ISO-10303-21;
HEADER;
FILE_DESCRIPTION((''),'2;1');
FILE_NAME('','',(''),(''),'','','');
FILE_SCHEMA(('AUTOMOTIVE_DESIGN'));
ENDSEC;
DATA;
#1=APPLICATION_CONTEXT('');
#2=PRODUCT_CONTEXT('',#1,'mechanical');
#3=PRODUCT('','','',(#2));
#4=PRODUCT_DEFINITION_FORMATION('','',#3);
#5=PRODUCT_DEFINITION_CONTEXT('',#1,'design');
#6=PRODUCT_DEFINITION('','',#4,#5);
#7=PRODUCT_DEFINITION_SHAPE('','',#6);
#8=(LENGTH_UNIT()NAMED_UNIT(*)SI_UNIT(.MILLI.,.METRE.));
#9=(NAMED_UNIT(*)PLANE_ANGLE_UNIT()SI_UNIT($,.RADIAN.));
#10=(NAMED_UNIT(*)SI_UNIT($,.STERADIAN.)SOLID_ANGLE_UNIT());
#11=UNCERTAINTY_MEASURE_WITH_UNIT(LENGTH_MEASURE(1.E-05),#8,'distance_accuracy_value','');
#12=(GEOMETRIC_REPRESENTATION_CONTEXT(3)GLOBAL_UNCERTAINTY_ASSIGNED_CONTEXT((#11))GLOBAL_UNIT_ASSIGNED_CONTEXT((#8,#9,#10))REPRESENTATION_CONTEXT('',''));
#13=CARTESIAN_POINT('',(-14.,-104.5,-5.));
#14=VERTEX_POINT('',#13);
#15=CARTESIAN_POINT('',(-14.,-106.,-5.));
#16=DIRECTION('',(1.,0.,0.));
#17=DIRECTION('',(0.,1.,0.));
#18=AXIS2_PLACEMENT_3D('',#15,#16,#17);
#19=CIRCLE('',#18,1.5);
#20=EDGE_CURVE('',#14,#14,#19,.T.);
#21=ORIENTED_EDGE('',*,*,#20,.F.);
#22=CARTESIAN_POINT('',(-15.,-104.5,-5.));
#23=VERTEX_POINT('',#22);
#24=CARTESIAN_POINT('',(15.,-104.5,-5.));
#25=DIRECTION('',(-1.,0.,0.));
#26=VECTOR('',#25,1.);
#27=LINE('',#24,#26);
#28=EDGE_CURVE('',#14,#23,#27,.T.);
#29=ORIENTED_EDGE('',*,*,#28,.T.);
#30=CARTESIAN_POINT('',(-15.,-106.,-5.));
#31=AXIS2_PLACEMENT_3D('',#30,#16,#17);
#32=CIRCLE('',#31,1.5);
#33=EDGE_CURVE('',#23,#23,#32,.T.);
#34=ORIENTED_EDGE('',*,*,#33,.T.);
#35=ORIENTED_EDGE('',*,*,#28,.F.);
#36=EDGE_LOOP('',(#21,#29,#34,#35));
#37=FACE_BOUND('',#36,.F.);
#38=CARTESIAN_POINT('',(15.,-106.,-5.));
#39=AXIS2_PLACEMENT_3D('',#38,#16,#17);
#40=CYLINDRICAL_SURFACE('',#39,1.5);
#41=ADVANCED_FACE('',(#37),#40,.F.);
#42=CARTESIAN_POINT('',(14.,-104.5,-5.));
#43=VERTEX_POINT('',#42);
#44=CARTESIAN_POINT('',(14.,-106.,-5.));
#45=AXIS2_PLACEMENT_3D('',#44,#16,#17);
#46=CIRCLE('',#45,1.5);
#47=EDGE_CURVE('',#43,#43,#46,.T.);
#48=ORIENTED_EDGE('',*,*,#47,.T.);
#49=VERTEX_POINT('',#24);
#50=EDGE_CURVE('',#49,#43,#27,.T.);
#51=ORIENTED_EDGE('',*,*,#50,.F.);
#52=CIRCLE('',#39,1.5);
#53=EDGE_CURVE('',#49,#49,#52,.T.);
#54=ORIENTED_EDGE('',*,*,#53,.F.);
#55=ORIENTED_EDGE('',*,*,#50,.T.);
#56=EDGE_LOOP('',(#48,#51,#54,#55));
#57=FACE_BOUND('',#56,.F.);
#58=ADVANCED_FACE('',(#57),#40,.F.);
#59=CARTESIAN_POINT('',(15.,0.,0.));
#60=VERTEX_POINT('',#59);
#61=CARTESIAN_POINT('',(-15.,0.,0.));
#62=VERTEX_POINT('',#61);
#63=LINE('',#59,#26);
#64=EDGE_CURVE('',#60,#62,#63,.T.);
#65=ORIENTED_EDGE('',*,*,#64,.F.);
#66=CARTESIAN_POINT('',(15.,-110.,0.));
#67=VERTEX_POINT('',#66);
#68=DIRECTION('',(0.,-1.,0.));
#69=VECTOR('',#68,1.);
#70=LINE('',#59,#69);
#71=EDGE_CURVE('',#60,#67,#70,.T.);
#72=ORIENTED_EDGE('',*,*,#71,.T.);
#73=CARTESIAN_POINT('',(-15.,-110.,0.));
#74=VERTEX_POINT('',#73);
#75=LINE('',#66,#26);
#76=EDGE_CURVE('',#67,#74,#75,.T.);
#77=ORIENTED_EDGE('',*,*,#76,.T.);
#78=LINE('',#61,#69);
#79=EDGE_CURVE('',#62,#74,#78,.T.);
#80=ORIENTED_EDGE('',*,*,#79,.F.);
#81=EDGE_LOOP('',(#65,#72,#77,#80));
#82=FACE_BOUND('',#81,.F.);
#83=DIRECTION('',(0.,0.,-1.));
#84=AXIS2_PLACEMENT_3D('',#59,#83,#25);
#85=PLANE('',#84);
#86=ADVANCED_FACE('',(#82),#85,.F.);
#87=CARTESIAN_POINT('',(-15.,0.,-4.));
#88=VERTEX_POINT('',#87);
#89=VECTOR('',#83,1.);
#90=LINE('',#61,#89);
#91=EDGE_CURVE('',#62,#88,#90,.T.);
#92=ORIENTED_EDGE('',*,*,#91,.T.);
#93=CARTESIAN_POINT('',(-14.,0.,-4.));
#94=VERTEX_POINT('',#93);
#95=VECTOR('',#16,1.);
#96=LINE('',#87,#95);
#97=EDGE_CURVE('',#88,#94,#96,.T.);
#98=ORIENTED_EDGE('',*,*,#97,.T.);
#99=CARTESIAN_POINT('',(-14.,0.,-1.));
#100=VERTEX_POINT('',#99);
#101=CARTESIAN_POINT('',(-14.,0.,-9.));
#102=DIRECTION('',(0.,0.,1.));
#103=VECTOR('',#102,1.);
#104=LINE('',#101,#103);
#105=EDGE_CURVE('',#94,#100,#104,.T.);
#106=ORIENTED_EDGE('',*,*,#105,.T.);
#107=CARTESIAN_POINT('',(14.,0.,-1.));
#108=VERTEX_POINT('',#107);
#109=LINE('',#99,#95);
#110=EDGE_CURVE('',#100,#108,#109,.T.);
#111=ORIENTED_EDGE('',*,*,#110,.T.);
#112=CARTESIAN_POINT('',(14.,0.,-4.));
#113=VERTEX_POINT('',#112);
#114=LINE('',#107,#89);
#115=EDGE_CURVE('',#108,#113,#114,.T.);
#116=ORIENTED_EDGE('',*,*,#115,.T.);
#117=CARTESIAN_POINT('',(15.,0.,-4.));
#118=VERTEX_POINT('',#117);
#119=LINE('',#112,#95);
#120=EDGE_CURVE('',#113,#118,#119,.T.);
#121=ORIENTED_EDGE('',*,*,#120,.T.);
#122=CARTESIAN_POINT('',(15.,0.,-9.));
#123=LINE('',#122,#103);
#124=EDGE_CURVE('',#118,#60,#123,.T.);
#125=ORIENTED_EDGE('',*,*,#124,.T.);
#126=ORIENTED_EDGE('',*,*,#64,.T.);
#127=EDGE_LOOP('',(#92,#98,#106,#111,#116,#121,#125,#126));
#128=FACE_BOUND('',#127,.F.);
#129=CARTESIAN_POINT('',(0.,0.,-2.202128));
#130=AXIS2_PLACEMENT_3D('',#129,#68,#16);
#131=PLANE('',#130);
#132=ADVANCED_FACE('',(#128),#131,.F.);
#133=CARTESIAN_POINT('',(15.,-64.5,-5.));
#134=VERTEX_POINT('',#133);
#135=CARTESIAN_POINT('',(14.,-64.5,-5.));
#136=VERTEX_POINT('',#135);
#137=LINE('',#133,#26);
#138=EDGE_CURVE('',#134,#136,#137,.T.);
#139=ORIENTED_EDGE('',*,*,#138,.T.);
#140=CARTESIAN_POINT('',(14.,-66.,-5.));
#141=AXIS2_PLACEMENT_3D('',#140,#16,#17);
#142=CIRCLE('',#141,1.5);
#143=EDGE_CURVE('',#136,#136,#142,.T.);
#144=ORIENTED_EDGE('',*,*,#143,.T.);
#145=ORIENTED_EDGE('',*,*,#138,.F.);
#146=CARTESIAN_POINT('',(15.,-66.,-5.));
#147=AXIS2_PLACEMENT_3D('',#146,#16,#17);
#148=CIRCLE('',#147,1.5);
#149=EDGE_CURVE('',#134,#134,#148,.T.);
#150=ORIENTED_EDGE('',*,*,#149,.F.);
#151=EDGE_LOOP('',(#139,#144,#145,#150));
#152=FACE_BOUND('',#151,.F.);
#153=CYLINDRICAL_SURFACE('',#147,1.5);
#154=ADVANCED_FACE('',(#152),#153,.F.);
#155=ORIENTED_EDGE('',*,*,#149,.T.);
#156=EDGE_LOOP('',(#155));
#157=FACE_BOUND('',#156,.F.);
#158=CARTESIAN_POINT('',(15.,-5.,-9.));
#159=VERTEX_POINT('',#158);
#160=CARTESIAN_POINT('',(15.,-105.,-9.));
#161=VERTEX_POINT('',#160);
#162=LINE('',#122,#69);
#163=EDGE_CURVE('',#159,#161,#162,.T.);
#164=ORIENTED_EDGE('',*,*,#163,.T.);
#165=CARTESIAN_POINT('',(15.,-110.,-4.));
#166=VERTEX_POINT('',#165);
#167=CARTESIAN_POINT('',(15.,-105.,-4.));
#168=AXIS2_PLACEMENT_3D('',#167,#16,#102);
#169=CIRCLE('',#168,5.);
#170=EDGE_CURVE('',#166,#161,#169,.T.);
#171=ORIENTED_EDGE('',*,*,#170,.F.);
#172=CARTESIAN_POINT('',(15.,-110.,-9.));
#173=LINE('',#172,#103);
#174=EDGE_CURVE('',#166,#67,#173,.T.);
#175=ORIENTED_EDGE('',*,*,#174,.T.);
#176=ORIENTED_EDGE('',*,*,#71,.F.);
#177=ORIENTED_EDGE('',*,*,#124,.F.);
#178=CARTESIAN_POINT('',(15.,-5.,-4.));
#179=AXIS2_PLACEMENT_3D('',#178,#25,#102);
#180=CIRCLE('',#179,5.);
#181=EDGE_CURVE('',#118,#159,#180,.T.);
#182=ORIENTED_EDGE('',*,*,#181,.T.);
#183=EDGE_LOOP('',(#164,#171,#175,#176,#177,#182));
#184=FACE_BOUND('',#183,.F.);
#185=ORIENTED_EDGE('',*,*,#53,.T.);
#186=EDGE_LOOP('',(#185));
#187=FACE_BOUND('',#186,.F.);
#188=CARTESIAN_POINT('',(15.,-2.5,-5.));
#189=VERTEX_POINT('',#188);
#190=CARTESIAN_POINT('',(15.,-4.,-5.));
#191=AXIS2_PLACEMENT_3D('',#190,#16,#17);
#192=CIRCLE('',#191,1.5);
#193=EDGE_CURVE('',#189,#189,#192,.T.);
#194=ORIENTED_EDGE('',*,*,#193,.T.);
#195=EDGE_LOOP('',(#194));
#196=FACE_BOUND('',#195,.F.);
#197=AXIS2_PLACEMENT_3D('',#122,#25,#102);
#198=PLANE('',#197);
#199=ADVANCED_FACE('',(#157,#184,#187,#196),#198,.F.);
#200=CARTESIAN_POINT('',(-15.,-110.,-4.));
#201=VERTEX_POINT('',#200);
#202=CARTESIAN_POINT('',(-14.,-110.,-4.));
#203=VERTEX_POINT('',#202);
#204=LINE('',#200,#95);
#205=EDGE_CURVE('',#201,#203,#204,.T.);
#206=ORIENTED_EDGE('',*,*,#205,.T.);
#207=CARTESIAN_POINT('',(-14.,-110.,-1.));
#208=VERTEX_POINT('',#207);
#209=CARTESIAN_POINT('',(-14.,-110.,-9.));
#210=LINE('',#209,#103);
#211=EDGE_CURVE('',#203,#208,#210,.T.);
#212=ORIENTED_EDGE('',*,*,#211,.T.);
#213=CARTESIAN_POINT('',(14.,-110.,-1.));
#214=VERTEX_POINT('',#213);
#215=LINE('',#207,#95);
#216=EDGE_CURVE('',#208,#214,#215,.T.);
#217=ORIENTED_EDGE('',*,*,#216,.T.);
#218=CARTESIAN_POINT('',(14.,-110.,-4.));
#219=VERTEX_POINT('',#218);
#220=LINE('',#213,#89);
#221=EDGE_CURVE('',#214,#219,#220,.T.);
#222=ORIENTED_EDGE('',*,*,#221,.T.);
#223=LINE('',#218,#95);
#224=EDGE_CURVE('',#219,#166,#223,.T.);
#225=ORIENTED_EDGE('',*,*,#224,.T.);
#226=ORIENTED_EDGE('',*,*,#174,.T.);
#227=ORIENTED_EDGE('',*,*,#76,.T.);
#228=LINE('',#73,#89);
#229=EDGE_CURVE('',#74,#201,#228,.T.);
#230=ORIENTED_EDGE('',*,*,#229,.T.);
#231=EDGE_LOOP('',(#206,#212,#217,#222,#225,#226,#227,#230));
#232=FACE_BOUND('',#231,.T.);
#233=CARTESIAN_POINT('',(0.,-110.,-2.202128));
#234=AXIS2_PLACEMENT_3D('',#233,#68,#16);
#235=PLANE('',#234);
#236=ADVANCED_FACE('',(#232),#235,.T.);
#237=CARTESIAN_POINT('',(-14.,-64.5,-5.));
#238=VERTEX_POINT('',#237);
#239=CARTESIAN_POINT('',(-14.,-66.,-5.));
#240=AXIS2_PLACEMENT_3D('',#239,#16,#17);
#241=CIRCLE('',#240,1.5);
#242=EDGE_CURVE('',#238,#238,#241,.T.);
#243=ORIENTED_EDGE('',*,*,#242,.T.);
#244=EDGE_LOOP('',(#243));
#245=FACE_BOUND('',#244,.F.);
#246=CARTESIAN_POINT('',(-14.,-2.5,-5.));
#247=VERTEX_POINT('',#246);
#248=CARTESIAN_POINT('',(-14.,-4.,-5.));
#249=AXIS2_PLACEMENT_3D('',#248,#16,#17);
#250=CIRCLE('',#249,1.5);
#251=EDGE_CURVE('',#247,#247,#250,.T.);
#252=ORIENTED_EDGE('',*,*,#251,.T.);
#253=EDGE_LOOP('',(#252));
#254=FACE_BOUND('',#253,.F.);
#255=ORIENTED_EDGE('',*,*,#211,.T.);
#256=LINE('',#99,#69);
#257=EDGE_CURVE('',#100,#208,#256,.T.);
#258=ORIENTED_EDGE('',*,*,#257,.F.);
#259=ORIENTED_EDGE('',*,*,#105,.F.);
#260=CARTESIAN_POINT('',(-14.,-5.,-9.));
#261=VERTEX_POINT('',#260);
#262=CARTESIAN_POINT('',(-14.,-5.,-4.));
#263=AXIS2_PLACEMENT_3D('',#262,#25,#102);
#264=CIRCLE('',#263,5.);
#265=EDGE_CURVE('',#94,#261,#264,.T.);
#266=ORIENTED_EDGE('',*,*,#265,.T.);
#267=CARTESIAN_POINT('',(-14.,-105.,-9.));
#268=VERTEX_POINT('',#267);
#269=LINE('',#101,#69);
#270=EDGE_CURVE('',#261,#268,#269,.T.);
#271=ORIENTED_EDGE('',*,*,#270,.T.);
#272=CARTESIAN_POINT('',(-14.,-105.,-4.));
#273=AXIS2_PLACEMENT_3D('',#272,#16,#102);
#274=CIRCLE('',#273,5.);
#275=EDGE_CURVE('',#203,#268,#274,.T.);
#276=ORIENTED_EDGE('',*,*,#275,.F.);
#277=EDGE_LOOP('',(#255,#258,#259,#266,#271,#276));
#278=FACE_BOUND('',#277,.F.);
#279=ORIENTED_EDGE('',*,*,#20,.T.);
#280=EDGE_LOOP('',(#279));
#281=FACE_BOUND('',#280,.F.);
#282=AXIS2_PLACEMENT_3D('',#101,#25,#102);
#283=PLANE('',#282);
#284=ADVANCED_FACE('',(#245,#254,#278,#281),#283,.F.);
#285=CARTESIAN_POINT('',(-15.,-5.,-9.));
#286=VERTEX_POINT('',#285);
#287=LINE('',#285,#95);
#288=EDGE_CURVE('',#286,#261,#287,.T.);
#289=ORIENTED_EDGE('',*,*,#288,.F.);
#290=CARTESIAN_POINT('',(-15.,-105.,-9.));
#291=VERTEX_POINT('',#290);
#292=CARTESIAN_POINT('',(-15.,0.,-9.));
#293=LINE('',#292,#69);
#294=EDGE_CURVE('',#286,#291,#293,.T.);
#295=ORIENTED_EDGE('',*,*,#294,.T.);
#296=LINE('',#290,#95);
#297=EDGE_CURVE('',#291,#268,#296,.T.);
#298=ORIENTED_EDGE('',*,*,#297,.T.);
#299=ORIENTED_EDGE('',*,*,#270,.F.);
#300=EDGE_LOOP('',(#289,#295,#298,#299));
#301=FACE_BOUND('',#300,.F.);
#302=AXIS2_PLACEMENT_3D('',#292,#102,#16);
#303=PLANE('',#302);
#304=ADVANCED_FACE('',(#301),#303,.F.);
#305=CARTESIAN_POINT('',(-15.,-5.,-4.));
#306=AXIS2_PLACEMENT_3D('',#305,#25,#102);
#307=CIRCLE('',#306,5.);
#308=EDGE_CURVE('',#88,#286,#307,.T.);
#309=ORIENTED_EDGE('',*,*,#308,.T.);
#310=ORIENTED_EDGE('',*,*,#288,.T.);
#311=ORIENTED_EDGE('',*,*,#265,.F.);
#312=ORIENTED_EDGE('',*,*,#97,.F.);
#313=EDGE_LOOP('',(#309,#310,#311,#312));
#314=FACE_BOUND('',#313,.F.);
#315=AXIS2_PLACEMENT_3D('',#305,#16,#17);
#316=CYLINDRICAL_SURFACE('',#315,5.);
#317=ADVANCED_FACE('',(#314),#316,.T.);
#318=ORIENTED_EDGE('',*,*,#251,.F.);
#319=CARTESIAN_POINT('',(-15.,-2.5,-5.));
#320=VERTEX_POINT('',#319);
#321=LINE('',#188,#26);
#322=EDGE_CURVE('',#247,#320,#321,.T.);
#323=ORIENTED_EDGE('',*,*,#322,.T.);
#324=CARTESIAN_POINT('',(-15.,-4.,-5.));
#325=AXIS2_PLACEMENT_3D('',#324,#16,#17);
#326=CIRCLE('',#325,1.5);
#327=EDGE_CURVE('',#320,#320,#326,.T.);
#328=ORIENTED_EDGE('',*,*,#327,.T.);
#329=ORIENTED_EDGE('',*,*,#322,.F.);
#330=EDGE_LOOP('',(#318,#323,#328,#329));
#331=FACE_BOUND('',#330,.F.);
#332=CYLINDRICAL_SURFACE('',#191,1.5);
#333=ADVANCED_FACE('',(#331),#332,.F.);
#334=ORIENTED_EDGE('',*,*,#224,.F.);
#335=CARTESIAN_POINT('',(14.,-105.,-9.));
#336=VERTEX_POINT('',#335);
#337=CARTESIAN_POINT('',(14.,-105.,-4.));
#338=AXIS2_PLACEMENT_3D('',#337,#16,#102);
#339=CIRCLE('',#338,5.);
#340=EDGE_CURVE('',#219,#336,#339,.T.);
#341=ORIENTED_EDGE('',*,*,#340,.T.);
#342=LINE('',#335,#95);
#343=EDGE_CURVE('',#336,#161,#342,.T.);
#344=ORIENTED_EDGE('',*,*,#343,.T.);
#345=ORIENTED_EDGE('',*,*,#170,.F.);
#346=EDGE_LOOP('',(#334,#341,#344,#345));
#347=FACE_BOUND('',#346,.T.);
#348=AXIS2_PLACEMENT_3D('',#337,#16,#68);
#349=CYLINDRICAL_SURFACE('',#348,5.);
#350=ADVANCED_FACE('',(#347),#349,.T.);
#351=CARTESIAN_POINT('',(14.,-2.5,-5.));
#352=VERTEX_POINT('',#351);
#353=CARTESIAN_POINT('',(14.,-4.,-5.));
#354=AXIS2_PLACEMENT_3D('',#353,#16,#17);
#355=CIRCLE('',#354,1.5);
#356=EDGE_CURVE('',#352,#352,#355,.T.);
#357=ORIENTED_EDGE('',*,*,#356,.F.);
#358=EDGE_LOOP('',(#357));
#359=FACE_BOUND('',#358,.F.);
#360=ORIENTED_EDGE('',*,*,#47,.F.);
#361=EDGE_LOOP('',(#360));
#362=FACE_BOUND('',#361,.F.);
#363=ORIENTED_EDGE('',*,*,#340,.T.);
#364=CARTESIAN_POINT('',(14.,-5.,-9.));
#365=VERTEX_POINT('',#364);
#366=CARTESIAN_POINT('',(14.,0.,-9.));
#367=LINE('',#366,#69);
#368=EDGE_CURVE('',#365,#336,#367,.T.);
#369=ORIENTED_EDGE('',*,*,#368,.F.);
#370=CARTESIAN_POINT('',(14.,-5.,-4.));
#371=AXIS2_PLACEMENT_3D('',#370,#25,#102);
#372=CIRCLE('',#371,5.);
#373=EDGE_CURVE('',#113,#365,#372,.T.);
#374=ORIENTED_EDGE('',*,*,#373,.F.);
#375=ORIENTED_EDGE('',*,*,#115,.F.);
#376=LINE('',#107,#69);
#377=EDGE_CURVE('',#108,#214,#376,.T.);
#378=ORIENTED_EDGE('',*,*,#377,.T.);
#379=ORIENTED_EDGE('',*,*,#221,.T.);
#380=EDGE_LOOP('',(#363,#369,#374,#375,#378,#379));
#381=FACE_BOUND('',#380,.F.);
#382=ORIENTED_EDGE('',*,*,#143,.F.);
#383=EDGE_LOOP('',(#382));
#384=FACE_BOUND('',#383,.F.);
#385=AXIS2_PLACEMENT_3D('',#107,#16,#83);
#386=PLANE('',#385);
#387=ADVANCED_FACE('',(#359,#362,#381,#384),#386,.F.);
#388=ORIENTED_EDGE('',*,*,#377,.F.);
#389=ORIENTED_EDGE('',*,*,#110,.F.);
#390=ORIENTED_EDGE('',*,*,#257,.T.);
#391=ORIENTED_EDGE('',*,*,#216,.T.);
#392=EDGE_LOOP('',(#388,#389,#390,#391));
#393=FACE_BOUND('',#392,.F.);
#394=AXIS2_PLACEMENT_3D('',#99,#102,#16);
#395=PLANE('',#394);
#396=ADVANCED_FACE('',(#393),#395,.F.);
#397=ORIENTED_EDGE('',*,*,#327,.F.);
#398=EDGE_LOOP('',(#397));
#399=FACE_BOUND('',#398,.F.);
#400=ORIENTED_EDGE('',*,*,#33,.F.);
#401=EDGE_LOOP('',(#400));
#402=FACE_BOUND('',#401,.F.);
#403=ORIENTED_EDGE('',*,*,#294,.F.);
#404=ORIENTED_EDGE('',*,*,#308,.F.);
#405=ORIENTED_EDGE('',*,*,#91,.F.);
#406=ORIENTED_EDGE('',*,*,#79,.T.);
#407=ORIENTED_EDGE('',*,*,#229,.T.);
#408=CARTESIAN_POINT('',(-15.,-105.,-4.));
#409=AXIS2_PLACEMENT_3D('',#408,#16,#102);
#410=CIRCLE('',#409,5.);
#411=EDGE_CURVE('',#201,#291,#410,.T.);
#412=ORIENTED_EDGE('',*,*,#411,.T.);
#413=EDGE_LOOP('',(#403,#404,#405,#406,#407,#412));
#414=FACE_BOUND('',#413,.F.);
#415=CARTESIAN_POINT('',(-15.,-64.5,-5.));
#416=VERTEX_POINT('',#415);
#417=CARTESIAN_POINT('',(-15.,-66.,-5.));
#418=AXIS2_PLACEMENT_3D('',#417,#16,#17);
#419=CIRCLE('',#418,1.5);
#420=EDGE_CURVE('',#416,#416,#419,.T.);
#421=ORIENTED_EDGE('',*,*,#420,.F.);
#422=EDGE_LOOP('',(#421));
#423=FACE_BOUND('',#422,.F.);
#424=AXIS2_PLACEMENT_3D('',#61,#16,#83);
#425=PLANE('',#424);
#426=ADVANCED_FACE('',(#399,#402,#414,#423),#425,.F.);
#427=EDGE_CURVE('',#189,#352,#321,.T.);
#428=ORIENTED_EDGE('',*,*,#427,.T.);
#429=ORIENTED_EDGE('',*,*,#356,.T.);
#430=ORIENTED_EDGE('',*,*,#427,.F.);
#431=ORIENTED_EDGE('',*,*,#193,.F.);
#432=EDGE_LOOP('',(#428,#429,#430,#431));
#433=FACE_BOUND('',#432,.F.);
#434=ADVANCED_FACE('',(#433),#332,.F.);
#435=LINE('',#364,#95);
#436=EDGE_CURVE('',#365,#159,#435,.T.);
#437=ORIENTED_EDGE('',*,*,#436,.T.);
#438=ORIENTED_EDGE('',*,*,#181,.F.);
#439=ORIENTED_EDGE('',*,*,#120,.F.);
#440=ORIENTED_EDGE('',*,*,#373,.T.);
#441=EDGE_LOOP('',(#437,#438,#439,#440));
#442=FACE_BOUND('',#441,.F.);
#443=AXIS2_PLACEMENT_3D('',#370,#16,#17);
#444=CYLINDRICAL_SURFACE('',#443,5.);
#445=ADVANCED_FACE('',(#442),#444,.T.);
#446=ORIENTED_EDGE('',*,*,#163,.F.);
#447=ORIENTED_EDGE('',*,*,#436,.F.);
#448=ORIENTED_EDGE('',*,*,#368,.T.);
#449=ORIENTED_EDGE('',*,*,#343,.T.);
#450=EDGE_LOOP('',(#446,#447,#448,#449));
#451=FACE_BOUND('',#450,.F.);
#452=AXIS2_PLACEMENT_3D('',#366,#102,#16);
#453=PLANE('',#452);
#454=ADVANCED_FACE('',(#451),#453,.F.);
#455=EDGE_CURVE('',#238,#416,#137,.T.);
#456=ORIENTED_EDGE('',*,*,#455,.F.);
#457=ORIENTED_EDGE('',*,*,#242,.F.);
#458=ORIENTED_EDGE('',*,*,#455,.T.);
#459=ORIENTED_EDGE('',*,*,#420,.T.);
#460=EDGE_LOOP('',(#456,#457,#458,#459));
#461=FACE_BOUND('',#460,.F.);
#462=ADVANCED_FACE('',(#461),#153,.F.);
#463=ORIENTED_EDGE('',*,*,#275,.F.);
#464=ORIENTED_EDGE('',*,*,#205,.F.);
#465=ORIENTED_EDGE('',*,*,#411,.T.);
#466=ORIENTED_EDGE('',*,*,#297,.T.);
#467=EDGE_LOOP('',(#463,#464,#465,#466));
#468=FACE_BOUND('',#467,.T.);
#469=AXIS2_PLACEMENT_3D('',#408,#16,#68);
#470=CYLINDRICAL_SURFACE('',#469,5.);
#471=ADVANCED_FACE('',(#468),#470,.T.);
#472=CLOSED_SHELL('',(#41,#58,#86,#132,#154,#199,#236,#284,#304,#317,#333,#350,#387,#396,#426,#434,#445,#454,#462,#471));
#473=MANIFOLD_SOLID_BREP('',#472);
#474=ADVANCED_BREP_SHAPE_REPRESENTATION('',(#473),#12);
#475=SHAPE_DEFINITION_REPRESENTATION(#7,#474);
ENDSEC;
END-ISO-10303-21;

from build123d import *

# Parameters (mm, degrees)
F1_DEPTH = 110
F2_R     = 1.5
F3_DEPTH = 35
F4_R     = 5


with BuildPart() as f1:
    # F0 (on Front) → F1 (new body)
    with BuildSketch(Plane.XZ):
        Polygon((15, 0), (-15, 0), (-15, -9), (-14, -9), (-14, -1), (14, -1), (14, -9), (15, -9), align=None)
    extrude(amount=F1_DEPTH)

    # F2 (on face) → F3 (cut)
    with BuildSketch(Plane.YZ.offset(15)):
        with Locations((-106, -5)):
            Circle(F2_R)
        with Locations((-66, -5)):
            Circle(F2_R)
        with Locations((-4, -5)):
            Circle(F2_R)
    extrude(amount=-F3_DEPTH, mode=Mode.SUBTRACT)

    # F4
    f4_edges = [f1.edges().sort_by_distance(p)[0] for p in [
        (14.5, -110, -9),
        (-14.5, -110, -9),
        (14.5, 0, -9),
        (-14.5, 0, -9),
    ]]
    fillet(f4_edges, radius=F4_R)


solid = f1.part
